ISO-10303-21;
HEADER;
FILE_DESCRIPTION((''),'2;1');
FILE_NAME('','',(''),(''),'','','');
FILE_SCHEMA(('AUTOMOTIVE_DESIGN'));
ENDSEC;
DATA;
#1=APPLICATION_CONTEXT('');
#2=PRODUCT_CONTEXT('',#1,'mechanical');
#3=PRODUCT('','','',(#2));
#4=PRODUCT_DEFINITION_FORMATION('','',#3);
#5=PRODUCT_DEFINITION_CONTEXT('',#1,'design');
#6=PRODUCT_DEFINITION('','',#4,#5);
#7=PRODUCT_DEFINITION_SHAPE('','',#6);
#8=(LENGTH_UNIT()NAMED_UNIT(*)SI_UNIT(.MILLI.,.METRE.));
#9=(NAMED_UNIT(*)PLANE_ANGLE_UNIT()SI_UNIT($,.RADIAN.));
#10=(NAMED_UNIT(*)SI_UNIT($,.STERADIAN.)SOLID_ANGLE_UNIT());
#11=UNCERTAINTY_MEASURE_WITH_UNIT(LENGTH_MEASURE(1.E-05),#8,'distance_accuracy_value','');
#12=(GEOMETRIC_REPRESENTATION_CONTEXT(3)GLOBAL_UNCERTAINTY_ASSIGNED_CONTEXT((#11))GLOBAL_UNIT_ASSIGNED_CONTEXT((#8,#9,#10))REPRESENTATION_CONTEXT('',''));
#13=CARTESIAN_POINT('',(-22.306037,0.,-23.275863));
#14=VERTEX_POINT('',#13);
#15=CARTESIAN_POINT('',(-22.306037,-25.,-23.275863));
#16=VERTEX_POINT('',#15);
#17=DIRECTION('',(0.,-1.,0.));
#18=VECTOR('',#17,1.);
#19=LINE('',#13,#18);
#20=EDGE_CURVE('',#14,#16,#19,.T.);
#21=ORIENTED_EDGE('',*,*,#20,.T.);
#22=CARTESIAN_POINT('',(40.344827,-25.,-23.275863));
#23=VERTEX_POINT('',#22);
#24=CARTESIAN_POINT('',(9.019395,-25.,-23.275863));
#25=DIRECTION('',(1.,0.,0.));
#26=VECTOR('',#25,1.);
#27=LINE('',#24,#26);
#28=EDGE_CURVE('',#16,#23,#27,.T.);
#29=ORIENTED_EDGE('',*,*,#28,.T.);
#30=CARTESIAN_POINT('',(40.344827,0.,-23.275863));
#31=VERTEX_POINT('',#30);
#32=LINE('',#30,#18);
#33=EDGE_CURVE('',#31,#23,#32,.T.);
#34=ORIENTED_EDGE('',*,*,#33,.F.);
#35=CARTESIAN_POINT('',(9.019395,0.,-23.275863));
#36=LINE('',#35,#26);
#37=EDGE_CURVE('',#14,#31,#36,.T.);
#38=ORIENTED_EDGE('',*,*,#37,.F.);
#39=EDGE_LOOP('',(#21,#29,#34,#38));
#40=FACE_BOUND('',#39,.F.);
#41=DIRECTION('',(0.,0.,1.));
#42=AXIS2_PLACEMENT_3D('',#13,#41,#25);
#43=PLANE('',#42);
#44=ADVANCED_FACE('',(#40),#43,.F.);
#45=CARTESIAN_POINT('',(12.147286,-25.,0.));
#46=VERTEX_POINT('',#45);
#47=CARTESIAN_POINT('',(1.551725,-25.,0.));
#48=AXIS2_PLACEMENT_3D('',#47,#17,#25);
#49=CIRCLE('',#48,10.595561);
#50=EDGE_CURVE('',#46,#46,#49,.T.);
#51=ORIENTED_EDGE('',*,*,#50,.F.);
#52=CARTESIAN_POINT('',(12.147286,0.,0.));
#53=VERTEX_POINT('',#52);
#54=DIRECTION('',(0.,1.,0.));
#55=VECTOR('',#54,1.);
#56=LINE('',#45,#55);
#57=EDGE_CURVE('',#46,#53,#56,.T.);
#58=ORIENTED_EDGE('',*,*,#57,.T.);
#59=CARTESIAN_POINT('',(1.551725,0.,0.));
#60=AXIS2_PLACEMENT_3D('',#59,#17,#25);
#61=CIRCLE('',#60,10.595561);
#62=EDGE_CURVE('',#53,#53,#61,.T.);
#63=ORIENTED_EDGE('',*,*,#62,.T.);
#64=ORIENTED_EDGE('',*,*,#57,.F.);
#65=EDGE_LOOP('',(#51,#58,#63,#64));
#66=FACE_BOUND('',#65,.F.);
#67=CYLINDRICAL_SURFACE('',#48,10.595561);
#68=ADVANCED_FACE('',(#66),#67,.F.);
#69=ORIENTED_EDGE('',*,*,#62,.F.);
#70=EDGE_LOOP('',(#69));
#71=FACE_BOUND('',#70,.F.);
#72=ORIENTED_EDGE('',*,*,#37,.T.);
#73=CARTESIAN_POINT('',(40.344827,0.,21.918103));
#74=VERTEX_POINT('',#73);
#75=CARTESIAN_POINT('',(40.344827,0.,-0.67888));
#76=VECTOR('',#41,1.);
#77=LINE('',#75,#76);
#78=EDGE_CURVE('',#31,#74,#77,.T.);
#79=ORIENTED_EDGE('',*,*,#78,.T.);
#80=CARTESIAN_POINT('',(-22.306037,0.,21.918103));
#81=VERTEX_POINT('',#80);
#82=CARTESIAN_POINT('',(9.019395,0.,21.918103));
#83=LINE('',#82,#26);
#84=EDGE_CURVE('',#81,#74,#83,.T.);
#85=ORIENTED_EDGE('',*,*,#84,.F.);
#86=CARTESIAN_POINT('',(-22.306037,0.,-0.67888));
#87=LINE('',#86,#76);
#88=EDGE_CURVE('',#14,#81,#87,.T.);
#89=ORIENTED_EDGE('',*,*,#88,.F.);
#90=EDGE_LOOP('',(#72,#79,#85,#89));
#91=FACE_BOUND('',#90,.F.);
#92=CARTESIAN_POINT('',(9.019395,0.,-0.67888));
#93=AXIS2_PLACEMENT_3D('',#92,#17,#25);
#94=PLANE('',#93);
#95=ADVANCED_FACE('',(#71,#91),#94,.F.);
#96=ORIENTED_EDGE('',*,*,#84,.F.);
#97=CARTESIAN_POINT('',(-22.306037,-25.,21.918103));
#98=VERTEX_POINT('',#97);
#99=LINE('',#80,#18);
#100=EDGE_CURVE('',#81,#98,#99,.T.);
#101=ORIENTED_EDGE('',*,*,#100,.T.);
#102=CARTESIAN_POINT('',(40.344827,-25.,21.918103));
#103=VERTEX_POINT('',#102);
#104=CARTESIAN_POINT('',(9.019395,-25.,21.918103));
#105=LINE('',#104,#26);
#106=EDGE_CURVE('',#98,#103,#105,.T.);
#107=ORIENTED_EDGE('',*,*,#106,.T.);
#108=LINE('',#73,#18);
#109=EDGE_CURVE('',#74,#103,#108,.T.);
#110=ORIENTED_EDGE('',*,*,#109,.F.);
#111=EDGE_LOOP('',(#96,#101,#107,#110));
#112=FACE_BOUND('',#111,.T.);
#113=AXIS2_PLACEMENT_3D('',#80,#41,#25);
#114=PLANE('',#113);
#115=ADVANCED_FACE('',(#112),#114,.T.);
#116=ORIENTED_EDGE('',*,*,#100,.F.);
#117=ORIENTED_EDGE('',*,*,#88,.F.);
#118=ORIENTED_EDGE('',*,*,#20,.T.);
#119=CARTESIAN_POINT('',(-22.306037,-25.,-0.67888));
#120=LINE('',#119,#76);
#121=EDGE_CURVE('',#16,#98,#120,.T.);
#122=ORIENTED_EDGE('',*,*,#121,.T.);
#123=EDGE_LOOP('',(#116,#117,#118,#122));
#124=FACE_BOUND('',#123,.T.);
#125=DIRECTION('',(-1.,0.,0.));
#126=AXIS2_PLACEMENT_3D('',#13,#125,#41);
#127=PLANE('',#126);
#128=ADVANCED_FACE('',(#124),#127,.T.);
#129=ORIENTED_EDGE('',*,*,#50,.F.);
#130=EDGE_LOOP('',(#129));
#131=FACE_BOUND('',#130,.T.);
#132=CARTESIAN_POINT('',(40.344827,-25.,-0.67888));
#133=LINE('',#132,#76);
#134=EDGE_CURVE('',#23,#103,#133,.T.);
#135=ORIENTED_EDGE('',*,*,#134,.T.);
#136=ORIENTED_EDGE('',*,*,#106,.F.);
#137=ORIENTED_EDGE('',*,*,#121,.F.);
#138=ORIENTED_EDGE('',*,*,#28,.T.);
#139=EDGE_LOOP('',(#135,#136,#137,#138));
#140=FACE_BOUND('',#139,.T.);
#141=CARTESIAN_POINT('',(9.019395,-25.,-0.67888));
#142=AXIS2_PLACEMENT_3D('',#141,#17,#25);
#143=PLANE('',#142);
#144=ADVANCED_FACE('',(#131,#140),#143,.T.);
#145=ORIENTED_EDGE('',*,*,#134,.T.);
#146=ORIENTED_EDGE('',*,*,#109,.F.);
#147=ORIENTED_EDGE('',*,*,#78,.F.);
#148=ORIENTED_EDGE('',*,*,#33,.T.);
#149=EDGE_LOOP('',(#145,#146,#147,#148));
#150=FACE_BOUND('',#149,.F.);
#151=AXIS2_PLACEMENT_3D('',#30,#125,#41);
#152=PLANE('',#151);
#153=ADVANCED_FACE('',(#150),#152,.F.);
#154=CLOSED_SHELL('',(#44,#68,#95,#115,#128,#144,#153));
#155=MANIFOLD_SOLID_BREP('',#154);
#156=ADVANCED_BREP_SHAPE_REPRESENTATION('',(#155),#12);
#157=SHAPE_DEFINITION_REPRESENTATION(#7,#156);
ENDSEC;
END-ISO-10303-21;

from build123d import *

# Parameters (mm, degrees)
F0_W     = 62.650863
F0_H     = 45.193966
F1_DEPTH = 25
F2_R     = 10.595561
F3_DEPTH = 25
F4_R     = 6.563376
F5_DEPTH = 25


with BuildPart() as f1:
    # F0 (on Front) → F1 (new body)
    with BuildSketch(Plane.XZ):
        with Locations((9.019395, -0.67888)):
            Rectangle(F0_W, F0_H)
    extrude(amount=F1_DEPTH)

    # F2 (on face) → F3 (cut)
    with BuildSketch(Plane.XZ.offset(25)):
        with Locations((1.551725, 0)):
            Circle(F2_R)
    extrude(amount=-F3_DEPTH, mode=Mode.SUBTRACT)

    # F4 (on face) → F5 (join)
    with BuildSketch(Plane.XZ.offset(25)):
        with Locations((26.767241, 0)):
            Circle(F4_R)
    extrude(amount=-F5_DEPTH)


solid = f1.part
